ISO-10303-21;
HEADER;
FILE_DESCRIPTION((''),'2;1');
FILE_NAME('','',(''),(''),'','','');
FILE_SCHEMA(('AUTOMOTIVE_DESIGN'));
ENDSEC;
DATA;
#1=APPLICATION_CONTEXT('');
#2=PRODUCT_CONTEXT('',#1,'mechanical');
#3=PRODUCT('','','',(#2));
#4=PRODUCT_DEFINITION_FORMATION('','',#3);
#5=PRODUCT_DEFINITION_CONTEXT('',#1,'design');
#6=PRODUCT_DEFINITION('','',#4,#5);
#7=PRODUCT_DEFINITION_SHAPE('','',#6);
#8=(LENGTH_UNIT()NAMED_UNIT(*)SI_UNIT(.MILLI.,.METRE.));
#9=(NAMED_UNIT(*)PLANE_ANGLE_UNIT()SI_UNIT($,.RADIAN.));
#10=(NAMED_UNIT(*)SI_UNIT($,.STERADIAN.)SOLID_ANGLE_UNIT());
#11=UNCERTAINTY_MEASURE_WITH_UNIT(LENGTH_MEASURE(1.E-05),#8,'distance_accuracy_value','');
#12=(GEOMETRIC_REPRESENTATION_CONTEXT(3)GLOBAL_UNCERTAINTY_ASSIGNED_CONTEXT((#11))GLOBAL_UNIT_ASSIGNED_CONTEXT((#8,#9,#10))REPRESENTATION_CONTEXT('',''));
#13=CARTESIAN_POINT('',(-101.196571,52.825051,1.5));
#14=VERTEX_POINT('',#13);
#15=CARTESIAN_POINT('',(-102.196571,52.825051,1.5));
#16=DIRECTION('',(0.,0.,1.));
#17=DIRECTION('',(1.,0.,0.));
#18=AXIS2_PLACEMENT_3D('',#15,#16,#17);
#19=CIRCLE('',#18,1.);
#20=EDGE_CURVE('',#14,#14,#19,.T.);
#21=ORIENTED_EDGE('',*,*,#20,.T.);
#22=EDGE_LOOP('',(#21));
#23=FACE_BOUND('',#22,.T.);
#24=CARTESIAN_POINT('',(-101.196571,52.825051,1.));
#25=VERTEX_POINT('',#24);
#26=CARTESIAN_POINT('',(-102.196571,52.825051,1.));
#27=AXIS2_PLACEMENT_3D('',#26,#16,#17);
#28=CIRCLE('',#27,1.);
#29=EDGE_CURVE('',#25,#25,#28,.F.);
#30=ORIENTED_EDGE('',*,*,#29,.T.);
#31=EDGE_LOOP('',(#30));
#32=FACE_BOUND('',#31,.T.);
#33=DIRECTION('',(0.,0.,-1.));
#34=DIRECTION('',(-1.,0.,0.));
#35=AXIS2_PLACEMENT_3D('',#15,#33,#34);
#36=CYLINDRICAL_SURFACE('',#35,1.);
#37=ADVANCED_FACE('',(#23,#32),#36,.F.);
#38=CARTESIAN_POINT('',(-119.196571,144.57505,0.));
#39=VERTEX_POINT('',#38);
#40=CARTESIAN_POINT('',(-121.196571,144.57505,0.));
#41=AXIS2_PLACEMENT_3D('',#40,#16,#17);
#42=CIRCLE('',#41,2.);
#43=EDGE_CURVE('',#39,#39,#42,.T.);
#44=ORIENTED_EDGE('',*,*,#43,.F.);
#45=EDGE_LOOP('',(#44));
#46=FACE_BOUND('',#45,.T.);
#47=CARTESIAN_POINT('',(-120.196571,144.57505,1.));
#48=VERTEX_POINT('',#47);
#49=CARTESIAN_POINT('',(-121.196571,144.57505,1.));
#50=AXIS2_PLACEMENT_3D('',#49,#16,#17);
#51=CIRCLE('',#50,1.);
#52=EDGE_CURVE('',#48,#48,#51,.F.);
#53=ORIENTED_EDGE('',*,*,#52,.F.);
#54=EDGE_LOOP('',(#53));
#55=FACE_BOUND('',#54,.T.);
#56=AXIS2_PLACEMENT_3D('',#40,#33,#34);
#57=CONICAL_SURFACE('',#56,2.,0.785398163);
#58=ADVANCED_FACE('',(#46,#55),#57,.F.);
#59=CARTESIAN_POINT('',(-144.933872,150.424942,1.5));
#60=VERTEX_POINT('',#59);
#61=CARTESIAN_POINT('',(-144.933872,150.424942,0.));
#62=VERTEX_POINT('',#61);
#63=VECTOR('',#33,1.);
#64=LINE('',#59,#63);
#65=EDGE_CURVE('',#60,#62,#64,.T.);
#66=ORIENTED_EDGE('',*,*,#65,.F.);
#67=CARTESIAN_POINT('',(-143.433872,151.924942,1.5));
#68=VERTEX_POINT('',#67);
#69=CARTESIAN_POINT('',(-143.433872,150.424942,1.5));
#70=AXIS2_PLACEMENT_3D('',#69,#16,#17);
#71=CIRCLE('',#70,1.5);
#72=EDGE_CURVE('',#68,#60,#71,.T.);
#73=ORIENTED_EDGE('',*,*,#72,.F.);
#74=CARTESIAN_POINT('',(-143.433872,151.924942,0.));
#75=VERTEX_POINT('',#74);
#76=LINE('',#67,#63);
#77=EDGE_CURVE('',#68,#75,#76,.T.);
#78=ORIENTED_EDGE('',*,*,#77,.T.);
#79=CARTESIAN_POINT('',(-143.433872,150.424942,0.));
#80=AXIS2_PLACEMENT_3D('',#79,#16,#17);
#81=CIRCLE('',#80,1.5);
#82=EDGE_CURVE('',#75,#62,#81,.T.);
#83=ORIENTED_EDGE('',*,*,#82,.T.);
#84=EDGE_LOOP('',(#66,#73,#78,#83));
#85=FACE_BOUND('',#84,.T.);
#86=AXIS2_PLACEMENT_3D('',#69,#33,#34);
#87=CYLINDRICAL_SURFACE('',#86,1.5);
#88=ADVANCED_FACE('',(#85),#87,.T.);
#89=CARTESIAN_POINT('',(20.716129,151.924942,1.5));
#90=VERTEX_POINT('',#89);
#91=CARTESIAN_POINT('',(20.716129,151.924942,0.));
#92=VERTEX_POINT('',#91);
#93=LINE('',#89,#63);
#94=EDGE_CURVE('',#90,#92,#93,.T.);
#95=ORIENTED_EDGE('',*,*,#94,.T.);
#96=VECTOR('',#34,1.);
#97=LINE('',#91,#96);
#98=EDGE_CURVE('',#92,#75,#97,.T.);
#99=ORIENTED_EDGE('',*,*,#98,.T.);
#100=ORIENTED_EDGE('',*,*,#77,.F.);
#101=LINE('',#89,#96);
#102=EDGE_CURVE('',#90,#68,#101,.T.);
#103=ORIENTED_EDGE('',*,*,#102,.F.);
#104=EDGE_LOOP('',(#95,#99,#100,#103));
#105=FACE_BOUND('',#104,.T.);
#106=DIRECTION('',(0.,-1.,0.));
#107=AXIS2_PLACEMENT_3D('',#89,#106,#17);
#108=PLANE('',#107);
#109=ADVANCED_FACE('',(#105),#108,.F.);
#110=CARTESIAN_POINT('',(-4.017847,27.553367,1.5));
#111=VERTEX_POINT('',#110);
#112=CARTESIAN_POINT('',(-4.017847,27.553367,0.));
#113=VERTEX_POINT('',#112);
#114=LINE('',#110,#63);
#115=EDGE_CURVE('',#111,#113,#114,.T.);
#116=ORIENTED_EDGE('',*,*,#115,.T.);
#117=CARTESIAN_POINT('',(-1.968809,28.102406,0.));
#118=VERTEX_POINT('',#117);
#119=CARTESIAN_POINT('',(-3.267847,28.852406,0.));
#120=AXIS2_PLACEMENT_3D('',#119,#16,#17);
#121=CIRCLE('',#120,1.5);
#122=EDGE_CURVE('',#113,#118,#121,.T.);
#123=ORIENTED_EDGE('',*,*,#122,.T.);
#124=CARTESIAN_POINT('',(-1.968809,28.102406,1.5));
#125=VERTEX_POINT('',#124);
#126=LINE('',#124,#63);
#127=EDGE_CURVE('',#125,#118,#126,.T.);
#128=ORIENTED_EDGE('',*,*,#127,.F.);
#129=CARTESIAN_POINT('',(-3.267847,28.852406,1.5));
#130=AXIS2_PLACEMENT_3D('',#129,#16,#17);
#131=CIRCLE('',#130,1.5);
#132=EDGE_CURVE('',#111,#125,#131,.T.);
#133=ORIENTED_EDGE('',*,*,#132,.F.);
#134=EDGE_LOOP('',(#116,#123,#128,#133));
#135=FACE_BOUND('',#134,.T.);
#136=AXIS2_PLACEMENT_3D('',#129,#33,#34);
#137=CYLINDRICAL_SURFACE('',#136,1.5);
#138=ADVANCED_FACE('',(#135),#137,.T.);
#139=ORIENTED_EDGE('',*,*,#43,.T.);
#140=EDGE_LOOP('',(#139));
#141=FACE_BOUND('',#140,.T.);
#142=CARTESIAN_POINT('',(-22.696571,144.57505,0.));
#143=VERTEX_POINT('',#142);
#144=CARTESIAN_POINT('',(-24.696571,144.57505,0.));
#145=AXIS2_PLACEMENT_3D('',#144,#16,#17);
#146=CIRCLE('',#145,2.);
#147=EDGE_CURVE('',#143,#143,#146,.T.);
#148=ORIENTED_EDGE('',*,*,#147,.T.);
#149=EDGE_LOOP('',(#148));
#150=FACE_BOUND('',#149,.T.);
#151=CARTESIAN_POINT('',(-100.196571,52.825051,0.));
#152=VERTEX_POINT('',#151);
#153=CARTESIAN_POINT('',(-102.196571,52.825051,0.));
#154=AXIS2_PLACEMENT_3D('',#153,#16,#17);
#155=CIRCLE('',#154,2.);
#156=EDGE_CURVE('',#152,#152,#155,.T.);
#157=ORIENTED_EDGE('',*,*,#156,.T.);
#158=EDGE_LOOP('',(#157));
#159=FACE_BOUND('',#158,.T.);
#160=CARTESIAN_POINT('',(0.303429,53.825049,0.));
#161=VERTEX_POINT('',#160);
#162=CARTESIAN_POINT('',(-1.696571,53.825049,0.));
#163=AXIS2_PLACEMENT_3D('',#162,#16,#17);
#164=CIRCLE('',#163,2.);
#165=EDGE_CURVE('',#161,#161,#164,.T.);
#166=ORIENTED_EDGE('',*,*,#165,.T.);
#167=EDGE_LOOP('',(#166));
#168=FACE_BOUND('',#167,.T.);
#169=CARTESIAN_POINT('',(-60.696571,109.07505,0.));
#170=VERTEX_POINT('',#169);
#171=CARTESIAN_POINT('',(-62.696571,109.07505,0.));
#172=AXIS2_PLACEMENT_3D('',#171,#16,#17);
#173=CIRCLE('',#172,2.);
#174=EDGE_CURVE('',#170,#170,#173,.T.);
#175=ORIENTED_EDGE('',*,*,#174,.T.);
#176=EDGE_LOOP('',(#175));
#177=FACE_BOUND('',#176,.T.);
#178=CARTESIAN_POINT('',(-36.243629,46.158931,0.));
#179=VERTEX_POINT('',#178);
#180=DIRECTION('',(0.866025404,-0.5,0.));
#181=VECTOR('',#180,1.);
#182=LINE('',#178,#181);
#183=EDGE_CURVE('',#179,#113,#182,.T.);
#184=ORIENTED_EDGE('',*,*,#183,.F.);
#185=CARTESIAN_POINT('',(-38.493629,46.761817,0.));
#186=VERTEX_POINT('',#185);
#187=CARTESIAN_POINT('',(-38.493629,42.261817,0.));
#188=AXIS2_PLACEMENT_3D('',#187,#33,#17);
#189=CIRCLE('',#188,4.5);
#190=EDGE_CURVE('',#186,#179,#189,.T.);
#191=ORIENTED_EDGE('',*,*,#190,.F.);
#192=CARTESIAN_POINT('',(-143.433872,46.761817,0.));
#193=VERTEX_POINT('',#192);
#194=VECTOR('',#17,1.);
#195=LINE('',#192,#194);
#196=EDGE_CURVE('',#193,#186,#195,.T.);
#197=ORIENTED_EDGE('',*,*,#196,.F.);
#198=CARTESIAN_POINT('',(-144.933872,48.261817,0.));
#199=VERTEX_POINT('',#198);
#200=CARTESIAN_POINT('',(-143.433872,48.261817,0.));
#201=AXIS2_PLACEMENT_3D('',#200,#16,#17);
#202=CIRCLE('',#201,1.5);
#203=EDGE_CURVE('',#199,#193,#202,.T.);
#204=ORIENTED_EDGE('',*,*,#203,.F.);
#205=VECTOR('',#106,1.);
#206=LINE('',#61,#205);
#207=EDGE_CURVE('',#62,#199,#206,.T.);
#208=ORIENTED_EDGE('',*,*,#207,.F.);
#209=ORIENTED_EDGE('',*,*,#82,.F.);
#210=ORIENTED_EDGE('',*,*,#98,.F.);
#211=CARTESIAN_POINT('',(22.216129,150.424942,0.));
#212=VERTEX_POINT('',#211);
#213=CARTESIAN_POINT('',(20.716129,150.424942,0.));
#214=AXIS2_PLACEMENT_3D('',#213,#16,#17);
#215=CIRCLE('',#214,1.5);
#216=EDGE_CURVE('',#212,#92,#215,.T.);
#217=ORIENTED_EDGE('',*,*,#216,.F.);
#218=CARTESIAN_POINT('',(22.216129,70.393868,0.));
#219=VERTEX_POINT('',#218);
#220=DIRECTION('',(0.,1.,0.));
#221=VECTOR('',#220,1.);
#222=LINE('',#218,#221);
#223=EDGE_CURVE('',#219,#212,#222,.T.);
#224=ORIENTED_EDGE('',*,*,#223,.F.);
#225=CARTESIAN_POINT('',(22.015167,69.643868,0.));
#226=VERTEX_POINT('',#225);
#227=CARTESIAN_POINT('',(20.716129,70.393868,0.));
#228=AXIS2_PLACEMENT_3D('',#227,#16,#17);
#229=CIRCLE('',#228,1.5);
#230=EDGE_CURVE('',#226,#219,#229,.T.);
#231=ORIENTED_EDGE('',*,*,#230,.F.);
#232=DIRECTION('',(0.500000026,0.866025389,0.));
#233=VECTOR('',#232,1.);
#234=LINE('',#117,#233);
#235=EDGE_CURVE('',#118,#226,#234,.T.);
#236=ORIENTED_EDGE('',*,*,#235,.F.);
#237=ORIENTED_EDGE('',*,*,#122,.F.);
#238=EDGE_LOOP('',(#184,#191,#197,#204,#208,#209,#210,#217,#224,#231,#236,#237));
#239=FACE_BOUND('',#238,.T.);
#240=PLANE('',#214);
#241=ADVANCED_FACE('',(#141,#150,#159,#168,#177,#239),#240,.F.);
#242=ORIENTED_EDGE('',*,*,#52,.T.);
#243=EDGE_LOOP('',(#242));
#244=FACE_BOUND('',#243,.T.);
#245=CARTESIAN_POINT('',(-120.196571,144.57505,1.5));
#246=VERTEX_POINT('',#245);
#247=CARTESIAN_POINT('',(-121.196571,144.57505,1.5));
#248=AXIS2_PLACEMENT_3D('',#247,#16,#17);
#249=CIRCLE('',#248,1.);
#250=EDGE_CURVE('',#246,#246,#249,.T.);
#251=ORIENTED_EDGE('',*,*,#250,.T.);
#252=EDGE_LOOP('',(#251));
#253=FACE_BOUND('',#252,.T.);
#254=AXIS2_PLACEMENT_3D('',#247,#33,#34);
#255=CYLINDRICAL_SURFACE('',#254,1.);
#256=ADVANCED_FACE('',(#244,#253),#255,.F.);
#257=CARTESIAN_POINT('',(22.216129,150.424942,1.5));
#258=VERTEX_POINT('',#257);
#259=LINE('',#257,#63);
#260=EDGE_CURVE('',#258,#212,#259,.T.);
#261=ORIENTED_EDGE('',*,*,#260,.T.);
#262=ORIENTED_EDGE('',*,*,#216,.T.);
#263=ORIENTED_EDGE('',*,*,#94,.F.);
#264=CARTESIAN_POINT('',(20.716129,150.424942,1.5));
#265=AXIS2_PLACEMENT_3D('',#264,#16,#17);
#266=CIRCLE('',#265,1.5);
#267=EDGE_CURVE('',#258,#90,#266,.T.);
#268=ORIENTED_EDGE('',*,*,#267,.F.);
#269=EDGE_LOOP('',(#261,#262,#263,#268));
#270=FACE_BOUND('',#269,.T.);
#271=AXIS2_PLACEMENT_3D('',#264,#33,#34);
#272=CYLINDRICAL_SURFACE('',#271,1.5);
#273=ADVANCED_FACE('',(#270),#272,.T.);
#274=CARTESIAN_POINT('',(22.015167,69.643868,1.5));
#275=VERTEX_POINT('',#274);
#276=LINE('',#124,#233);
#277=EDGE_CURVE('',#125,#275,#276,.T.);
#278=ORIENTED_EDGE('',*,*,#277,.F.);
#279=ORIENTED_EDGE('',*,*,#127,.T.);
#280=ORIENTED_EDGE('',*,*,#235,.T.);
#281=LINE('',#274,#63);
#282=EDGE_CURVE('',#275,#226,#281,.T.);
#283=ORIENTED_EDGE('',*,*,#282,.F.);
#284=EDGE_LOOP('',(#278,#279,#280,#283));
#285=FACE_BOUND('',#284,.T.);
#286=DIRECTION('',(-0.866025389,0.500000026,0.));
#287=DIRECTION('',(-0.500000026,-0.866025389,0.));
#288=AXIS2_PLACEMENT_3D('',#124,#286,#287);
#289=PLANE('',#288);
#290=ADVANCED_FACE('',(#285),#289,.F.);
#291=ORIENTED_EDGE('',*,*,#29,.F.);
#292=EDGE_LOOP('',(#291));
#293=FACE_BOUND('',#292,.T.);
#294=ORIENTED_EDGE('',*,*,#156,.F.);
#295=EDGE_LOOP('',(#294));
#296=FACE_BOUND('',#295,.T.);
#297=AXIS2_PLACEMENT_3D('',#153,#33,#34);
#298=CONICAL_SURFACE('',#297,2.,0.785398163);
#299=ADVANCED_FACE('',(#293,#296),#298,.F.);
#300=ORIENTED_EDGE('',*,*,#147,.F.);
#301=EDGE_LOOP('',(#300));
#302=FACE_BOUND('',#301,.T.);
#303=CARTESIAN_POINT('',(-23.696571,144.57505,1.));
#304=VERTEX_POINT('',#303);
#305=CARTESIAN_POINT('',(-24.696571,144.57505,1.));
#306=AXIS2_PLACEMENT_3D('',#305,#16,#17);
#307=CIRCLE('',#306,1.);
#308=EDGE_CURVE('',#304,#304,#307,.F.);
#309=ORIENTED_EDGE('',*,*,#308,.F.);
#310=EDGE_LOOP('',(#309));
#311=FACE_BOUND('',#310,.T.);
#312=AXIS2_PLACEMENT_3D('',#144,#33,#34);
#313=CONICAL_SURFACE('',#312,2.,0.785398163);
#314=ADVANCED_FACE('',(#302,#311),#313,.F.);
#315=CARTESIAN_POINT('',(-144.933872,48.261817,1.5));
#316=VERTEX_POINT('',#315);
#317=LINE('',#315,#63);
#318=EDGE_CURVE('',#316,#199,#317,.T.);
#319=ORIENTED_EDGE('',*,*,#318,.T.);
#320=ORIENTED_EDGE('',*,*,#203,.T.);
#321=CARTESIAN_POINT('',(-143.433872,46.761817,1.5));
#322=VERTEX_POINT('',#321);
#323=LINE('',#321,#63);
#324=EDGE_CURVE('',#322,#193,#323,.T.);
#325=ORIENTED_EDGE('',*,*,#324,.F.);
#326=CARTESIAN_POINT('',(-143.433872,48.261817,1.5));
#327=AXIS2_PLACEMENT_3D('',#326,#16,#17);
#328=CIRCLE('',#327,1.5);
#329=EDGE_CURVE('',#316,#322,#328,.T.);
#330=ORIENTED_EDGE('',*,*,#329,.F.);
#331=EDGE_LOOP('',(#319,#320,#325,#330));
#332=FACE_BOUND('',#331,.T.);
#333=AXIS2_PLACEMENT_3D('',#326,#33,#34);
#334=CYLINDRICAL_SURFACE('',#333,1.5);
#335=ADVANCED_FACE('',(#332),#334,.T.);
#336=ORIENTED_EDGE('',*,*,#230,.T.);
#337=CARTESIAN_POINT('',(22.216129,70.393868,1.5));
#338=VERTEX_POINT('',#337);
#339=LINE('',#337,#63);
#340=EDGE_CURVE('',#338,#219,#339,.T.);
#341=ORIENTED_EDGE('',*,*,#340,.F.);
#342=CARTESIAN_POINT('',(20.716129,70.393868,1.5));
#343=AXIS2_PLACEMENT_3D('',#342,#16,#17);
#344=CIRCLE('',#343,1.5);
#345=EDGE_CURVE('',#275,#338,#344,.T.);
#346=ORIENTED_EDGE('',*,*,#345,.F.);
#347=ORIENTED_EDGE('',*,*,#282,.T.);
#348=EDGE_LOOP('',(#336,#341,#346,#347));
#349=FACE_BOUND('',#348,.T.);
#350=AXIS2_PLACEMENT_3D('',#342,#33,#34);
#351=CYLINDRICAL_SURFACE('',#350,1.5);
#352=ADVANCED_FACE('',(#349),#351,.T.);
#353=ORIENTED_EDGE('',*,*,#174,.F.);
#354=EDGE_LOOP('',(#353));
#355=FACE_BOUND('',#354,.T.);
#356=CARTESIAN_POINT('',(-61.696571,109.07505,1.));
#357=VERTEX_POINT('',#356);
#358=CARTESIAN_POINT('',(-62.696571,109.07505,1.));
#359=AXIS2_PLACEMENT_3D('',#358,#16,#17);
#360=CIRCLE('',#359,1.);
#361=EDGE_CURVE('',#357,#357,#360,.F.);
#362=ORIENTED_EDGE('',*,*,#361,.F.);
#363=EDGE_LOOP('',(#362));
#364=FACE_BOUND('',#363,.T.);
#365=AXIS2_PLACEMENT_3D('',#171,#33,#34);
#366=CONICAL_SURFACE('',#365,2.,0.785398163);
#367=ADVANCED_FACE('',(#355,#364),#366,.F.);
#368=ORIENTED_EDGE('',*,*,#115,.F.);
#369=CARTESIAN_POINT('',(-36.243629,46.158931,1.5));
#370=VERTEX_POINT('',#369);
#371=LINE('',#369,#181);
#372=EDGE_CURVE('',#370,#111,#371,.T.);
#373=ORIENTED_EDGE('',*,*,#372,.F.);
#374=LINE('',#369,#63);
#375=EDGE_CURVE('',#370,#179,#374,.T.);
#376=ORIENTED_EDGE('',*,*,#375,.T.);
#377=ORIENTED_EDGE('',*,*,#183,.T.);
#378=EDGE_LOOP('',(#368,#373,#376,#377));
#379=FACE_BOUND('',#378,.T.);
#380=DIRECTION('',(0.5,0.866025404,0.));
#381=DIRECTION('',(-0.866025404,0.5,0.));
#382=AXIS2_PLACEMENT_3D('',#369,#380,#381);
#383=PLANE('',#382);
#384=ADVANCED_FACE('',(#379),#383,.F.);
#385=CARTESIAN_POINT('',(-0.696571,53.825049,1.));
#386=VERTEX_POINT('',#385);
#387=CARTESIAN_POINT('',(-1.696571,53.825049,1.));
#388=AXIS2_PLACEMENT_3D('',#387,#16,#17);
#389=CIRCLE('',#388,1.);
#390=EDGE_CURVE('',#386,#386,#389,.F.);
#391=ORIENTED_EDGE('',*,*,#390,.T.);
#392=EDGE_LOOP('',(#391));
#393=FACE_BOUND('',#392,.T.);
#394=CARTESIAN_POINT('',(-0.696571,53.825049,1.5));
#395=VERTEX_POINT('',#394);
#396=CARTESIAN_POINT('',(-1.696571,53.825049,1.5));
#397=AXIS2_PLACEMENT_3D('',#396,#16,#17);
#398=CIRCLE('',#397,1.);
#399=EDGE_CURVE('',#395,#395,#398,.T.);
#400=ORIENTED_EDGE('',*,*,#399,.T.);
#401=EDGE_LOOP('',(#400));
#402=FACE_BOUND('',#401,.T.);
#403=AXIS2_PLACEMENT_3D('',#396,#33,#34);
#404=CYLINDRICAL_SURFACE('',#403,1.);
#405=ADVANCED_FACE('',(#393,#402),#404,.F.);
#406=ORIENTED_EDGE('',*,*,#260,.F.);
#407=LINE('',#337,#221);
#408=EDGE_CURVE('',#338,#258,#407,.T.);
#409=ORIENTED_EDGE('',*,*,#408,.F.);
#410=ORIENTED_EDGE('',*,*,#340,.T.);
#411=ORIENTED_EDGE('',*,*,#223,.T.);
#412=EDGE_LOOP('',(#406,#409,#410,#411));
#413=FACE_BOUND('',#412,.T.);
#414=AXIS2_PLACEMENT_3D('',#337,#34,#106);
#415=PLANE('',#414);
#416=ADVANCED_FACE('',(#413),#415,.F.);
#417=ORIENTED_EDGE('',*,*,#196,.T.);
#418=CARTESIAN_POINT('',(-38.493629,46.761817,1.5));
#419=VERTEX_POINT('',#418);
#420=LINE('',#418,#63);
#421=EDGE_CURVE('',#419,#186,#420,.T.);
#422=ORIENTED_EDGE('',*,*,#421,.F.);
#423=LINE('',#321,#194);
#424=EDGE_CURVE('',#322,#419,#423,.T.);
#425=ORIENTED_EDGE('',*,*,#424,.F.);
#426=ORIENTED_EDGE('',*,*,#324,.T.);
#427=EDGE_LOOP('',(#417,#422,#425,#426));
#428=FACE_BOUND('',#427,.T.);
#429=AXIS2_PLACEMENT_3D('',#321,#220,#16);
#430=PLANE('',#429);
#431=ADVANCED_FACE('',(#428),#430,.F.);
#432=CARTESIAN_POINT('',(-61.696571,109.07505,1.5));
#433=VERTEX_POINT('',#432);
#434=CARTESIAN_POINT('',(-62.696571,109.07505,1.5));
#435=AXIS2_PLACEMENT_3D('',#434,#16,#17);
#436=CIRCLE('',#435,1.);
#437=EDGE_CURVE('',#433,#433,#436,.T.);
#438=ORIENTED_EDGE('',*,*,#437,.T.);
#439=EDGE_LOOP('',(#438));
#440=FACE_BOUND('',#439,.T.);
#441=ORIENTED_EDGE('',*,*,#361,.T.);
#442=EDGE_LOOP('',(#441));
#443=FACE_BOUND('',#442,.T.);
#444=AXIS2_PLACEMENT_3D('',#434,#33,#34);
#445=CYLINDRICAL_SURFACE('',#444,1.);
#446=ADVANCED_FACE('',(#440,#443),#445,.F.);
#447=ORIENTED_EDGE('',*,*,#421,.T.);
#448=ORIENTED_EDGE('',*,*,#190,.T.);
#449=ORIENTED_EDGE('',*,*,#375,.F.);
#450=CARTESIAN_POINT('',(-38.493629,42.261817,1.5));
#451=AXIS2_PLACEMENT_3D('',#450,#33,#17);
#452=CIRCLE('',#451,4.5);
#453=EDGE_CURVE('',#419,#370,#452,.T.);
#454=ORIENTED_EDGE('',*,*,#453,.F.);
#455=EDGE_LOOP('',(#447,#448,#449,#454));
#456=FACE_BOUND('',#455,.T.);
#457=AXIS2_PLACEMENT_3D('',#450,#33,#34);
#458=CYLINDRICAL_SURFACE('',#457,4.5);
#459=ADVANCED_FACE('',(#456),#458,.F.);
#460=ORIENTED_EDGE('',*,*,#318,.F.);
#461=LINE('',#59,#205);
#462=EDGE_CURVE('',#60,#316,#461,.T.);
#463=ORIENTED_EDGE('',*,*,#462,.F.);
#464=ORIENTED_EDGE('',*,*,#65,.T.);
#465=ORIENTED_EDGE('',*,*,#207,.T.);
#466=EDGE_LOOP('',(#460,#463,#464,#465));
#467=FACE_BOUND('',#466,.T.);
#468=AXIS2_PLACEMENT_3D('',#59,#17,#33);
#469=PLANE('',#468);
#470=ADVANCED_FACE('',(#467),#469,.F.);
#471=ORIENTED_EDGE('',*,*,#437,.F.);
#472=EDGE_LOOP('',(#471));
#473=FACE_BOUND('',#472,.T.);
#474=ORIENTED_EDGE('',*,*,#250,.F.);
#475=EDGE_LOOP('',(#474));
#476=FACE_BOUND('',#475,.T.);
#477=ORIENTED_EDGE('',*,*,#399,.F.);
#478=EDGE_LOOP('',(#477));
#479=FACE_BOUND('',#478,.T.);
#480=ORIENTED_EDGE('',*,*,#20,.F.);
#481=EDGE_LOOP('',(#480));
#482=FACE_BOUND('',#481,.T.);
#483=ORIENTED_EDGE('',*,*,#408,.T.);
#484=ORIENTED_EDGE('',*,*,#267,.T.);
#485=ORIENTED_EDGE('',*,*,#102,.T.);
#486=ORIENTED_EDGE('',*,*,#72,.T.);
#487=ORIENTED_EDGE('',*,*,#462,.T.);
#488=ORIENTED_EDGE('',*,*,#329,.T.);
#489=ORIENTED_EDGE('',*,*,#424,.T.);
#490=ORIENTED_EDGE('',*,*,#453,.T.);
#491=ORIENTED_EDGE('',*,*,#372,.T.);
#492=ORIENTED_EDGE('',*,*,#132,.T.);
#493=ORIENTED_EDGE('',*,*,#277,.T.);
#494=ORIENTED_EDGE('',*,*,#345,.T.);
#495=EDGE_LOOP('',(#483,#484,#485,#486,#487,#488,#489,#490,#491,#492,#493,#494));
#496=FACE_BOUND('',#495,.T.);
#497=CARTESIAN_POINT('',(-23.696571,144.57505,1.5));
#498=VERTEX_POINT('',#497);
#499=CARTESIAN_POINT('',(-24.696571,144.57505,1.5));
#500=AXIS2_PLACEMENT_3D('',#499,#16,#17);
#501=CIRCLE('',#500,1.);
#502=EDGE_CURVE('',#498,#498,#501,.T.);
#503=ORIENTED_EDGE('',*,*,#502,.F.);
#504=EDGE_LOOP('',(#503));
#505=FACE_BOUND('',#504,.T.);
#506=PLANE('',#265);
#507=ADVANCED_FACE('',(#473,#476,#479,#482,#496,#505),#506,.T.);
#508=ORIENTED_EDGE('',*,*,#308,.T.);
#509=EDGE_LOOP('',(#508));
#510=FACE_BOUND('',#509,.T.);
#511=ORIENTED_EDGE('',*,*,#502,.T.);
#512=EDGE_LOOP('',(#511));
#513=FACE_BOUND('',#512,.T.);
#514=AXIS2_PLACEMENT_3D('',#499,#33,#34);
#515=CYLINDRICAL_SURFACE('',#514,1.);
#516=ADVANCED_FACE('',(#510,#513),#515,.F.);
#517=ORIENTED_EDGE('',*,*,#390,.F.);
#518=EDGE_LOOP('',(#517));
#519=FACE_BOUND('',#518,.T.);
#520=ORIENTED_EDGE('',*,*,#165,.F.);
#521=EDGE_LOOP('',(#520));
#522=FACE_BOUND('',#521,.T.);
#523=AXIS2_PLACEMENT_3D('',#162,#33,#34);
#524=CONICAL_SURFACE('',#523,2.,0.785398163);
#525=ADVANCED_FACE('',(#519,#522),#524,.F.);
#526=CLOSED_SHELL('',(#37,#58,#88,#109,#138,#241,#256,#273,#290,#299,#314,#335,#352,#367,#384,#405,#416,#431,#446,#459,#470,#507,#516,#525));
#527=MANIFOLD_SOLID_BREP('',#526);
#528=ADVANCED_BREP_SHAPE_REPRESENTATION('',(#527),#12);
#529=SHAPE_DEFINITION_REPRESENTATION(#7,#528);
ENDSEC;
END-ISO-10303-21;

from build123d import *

# Parameters (mm, degrees)
SKETCH1_R           = 1
BOSS_EXTRUDE1_DEPTH = 1.5
CHAMFER1_SIZE       = 1


with BuildPart() as part:
    # Sketch1 → Boss-Extrude1 (new body)
    with BuildSketch(Plane.XY):
        with BuildLine():
            Line((20.7161288, 151.924941972), (-143.43387189, 151.924941972))
            ThreePointArc((-143.43387189, 151.924941972), (-144.494532062, 151.485602143), (-144.93387189, 150.424941972))
            Line((-144.93387189, 150.424941972), (-144.93387189, 48.261817052))
            ThreePointArc((-144.93387189, 48.261817052), (-144.494532062, 47.20115688), (-143.43387189, 46.761817052))
            Line((-143.43387189, 46.761817052), (-38.493629317, 46.761817052))
            ThreePointArc((-38.493629317, 46.761817052), (-37.328943614, 46.60848327), (-36.243629317, 46.158931369))
            Line((-36.243629317, 46.158931369), (-4.017847382, 27.553367493))
            ThreePointArc((-4.017847382, 27.553367493), (-2.879618836, 27.403516854), (-1.968809299, 28.10240556))
            Line((-1.968809299, 28.10240556), (22.015166883, 69.64386796))
            ThreePointArc((22.015166883, 69.64386796), (22.165017534, 70.005639409), (22.2161288, 70.393867999))
            Line((22.2161288, 70.393867999), (22.2161288, 150.424941972))
            ThreePointArc((22.2161288, 150.424941972), (21.776788972, 151.485602143), (20.7161288, 151.924941972))
        make_face()
        with Locations((-24.69657117, 144.575050352)):
            Circle(SKETCH1_R, mode=Mode.SUBTRACT)
        with Locations((-121.19657121, 144.575050352)):
            Circle(SKETCH1_R, mode=Mode.SUBTRACT)
        with Locations((-62.69657137, 109.075050232)):
            Circle(SKETCH1_R, mode=Mode.SUBTRACT)
        with Locations((-102.19657111, 52.825050972)):
            Circle(SKETCH1_R, mode=Mode.SUBTRACT)
        with Locations((-1.69657145, 53.825048972)):
            Circle(SKETCH1_R, mode=Mode.SUBTRACT)
    extrude(amount=BOSS_EXTRUDE1_DEPTH)

    # Chamfer1
    chamfer1_edges = [part.edges().sort_by_distance(p)[0] for p in [
        (-25.69657117, 144.575050352, 0),
        (-122.19657121, 144.575050352, 0),
        (-63.69657137, 109.075050232, 0),
        (-103.19657111, 52.825050972, 0),
        (-2.69657145, 53.825048972, 0),
    ]]
    chamfer(chamfer1_edges, length=CHAMFER1_SIZE)


solid = part.part
